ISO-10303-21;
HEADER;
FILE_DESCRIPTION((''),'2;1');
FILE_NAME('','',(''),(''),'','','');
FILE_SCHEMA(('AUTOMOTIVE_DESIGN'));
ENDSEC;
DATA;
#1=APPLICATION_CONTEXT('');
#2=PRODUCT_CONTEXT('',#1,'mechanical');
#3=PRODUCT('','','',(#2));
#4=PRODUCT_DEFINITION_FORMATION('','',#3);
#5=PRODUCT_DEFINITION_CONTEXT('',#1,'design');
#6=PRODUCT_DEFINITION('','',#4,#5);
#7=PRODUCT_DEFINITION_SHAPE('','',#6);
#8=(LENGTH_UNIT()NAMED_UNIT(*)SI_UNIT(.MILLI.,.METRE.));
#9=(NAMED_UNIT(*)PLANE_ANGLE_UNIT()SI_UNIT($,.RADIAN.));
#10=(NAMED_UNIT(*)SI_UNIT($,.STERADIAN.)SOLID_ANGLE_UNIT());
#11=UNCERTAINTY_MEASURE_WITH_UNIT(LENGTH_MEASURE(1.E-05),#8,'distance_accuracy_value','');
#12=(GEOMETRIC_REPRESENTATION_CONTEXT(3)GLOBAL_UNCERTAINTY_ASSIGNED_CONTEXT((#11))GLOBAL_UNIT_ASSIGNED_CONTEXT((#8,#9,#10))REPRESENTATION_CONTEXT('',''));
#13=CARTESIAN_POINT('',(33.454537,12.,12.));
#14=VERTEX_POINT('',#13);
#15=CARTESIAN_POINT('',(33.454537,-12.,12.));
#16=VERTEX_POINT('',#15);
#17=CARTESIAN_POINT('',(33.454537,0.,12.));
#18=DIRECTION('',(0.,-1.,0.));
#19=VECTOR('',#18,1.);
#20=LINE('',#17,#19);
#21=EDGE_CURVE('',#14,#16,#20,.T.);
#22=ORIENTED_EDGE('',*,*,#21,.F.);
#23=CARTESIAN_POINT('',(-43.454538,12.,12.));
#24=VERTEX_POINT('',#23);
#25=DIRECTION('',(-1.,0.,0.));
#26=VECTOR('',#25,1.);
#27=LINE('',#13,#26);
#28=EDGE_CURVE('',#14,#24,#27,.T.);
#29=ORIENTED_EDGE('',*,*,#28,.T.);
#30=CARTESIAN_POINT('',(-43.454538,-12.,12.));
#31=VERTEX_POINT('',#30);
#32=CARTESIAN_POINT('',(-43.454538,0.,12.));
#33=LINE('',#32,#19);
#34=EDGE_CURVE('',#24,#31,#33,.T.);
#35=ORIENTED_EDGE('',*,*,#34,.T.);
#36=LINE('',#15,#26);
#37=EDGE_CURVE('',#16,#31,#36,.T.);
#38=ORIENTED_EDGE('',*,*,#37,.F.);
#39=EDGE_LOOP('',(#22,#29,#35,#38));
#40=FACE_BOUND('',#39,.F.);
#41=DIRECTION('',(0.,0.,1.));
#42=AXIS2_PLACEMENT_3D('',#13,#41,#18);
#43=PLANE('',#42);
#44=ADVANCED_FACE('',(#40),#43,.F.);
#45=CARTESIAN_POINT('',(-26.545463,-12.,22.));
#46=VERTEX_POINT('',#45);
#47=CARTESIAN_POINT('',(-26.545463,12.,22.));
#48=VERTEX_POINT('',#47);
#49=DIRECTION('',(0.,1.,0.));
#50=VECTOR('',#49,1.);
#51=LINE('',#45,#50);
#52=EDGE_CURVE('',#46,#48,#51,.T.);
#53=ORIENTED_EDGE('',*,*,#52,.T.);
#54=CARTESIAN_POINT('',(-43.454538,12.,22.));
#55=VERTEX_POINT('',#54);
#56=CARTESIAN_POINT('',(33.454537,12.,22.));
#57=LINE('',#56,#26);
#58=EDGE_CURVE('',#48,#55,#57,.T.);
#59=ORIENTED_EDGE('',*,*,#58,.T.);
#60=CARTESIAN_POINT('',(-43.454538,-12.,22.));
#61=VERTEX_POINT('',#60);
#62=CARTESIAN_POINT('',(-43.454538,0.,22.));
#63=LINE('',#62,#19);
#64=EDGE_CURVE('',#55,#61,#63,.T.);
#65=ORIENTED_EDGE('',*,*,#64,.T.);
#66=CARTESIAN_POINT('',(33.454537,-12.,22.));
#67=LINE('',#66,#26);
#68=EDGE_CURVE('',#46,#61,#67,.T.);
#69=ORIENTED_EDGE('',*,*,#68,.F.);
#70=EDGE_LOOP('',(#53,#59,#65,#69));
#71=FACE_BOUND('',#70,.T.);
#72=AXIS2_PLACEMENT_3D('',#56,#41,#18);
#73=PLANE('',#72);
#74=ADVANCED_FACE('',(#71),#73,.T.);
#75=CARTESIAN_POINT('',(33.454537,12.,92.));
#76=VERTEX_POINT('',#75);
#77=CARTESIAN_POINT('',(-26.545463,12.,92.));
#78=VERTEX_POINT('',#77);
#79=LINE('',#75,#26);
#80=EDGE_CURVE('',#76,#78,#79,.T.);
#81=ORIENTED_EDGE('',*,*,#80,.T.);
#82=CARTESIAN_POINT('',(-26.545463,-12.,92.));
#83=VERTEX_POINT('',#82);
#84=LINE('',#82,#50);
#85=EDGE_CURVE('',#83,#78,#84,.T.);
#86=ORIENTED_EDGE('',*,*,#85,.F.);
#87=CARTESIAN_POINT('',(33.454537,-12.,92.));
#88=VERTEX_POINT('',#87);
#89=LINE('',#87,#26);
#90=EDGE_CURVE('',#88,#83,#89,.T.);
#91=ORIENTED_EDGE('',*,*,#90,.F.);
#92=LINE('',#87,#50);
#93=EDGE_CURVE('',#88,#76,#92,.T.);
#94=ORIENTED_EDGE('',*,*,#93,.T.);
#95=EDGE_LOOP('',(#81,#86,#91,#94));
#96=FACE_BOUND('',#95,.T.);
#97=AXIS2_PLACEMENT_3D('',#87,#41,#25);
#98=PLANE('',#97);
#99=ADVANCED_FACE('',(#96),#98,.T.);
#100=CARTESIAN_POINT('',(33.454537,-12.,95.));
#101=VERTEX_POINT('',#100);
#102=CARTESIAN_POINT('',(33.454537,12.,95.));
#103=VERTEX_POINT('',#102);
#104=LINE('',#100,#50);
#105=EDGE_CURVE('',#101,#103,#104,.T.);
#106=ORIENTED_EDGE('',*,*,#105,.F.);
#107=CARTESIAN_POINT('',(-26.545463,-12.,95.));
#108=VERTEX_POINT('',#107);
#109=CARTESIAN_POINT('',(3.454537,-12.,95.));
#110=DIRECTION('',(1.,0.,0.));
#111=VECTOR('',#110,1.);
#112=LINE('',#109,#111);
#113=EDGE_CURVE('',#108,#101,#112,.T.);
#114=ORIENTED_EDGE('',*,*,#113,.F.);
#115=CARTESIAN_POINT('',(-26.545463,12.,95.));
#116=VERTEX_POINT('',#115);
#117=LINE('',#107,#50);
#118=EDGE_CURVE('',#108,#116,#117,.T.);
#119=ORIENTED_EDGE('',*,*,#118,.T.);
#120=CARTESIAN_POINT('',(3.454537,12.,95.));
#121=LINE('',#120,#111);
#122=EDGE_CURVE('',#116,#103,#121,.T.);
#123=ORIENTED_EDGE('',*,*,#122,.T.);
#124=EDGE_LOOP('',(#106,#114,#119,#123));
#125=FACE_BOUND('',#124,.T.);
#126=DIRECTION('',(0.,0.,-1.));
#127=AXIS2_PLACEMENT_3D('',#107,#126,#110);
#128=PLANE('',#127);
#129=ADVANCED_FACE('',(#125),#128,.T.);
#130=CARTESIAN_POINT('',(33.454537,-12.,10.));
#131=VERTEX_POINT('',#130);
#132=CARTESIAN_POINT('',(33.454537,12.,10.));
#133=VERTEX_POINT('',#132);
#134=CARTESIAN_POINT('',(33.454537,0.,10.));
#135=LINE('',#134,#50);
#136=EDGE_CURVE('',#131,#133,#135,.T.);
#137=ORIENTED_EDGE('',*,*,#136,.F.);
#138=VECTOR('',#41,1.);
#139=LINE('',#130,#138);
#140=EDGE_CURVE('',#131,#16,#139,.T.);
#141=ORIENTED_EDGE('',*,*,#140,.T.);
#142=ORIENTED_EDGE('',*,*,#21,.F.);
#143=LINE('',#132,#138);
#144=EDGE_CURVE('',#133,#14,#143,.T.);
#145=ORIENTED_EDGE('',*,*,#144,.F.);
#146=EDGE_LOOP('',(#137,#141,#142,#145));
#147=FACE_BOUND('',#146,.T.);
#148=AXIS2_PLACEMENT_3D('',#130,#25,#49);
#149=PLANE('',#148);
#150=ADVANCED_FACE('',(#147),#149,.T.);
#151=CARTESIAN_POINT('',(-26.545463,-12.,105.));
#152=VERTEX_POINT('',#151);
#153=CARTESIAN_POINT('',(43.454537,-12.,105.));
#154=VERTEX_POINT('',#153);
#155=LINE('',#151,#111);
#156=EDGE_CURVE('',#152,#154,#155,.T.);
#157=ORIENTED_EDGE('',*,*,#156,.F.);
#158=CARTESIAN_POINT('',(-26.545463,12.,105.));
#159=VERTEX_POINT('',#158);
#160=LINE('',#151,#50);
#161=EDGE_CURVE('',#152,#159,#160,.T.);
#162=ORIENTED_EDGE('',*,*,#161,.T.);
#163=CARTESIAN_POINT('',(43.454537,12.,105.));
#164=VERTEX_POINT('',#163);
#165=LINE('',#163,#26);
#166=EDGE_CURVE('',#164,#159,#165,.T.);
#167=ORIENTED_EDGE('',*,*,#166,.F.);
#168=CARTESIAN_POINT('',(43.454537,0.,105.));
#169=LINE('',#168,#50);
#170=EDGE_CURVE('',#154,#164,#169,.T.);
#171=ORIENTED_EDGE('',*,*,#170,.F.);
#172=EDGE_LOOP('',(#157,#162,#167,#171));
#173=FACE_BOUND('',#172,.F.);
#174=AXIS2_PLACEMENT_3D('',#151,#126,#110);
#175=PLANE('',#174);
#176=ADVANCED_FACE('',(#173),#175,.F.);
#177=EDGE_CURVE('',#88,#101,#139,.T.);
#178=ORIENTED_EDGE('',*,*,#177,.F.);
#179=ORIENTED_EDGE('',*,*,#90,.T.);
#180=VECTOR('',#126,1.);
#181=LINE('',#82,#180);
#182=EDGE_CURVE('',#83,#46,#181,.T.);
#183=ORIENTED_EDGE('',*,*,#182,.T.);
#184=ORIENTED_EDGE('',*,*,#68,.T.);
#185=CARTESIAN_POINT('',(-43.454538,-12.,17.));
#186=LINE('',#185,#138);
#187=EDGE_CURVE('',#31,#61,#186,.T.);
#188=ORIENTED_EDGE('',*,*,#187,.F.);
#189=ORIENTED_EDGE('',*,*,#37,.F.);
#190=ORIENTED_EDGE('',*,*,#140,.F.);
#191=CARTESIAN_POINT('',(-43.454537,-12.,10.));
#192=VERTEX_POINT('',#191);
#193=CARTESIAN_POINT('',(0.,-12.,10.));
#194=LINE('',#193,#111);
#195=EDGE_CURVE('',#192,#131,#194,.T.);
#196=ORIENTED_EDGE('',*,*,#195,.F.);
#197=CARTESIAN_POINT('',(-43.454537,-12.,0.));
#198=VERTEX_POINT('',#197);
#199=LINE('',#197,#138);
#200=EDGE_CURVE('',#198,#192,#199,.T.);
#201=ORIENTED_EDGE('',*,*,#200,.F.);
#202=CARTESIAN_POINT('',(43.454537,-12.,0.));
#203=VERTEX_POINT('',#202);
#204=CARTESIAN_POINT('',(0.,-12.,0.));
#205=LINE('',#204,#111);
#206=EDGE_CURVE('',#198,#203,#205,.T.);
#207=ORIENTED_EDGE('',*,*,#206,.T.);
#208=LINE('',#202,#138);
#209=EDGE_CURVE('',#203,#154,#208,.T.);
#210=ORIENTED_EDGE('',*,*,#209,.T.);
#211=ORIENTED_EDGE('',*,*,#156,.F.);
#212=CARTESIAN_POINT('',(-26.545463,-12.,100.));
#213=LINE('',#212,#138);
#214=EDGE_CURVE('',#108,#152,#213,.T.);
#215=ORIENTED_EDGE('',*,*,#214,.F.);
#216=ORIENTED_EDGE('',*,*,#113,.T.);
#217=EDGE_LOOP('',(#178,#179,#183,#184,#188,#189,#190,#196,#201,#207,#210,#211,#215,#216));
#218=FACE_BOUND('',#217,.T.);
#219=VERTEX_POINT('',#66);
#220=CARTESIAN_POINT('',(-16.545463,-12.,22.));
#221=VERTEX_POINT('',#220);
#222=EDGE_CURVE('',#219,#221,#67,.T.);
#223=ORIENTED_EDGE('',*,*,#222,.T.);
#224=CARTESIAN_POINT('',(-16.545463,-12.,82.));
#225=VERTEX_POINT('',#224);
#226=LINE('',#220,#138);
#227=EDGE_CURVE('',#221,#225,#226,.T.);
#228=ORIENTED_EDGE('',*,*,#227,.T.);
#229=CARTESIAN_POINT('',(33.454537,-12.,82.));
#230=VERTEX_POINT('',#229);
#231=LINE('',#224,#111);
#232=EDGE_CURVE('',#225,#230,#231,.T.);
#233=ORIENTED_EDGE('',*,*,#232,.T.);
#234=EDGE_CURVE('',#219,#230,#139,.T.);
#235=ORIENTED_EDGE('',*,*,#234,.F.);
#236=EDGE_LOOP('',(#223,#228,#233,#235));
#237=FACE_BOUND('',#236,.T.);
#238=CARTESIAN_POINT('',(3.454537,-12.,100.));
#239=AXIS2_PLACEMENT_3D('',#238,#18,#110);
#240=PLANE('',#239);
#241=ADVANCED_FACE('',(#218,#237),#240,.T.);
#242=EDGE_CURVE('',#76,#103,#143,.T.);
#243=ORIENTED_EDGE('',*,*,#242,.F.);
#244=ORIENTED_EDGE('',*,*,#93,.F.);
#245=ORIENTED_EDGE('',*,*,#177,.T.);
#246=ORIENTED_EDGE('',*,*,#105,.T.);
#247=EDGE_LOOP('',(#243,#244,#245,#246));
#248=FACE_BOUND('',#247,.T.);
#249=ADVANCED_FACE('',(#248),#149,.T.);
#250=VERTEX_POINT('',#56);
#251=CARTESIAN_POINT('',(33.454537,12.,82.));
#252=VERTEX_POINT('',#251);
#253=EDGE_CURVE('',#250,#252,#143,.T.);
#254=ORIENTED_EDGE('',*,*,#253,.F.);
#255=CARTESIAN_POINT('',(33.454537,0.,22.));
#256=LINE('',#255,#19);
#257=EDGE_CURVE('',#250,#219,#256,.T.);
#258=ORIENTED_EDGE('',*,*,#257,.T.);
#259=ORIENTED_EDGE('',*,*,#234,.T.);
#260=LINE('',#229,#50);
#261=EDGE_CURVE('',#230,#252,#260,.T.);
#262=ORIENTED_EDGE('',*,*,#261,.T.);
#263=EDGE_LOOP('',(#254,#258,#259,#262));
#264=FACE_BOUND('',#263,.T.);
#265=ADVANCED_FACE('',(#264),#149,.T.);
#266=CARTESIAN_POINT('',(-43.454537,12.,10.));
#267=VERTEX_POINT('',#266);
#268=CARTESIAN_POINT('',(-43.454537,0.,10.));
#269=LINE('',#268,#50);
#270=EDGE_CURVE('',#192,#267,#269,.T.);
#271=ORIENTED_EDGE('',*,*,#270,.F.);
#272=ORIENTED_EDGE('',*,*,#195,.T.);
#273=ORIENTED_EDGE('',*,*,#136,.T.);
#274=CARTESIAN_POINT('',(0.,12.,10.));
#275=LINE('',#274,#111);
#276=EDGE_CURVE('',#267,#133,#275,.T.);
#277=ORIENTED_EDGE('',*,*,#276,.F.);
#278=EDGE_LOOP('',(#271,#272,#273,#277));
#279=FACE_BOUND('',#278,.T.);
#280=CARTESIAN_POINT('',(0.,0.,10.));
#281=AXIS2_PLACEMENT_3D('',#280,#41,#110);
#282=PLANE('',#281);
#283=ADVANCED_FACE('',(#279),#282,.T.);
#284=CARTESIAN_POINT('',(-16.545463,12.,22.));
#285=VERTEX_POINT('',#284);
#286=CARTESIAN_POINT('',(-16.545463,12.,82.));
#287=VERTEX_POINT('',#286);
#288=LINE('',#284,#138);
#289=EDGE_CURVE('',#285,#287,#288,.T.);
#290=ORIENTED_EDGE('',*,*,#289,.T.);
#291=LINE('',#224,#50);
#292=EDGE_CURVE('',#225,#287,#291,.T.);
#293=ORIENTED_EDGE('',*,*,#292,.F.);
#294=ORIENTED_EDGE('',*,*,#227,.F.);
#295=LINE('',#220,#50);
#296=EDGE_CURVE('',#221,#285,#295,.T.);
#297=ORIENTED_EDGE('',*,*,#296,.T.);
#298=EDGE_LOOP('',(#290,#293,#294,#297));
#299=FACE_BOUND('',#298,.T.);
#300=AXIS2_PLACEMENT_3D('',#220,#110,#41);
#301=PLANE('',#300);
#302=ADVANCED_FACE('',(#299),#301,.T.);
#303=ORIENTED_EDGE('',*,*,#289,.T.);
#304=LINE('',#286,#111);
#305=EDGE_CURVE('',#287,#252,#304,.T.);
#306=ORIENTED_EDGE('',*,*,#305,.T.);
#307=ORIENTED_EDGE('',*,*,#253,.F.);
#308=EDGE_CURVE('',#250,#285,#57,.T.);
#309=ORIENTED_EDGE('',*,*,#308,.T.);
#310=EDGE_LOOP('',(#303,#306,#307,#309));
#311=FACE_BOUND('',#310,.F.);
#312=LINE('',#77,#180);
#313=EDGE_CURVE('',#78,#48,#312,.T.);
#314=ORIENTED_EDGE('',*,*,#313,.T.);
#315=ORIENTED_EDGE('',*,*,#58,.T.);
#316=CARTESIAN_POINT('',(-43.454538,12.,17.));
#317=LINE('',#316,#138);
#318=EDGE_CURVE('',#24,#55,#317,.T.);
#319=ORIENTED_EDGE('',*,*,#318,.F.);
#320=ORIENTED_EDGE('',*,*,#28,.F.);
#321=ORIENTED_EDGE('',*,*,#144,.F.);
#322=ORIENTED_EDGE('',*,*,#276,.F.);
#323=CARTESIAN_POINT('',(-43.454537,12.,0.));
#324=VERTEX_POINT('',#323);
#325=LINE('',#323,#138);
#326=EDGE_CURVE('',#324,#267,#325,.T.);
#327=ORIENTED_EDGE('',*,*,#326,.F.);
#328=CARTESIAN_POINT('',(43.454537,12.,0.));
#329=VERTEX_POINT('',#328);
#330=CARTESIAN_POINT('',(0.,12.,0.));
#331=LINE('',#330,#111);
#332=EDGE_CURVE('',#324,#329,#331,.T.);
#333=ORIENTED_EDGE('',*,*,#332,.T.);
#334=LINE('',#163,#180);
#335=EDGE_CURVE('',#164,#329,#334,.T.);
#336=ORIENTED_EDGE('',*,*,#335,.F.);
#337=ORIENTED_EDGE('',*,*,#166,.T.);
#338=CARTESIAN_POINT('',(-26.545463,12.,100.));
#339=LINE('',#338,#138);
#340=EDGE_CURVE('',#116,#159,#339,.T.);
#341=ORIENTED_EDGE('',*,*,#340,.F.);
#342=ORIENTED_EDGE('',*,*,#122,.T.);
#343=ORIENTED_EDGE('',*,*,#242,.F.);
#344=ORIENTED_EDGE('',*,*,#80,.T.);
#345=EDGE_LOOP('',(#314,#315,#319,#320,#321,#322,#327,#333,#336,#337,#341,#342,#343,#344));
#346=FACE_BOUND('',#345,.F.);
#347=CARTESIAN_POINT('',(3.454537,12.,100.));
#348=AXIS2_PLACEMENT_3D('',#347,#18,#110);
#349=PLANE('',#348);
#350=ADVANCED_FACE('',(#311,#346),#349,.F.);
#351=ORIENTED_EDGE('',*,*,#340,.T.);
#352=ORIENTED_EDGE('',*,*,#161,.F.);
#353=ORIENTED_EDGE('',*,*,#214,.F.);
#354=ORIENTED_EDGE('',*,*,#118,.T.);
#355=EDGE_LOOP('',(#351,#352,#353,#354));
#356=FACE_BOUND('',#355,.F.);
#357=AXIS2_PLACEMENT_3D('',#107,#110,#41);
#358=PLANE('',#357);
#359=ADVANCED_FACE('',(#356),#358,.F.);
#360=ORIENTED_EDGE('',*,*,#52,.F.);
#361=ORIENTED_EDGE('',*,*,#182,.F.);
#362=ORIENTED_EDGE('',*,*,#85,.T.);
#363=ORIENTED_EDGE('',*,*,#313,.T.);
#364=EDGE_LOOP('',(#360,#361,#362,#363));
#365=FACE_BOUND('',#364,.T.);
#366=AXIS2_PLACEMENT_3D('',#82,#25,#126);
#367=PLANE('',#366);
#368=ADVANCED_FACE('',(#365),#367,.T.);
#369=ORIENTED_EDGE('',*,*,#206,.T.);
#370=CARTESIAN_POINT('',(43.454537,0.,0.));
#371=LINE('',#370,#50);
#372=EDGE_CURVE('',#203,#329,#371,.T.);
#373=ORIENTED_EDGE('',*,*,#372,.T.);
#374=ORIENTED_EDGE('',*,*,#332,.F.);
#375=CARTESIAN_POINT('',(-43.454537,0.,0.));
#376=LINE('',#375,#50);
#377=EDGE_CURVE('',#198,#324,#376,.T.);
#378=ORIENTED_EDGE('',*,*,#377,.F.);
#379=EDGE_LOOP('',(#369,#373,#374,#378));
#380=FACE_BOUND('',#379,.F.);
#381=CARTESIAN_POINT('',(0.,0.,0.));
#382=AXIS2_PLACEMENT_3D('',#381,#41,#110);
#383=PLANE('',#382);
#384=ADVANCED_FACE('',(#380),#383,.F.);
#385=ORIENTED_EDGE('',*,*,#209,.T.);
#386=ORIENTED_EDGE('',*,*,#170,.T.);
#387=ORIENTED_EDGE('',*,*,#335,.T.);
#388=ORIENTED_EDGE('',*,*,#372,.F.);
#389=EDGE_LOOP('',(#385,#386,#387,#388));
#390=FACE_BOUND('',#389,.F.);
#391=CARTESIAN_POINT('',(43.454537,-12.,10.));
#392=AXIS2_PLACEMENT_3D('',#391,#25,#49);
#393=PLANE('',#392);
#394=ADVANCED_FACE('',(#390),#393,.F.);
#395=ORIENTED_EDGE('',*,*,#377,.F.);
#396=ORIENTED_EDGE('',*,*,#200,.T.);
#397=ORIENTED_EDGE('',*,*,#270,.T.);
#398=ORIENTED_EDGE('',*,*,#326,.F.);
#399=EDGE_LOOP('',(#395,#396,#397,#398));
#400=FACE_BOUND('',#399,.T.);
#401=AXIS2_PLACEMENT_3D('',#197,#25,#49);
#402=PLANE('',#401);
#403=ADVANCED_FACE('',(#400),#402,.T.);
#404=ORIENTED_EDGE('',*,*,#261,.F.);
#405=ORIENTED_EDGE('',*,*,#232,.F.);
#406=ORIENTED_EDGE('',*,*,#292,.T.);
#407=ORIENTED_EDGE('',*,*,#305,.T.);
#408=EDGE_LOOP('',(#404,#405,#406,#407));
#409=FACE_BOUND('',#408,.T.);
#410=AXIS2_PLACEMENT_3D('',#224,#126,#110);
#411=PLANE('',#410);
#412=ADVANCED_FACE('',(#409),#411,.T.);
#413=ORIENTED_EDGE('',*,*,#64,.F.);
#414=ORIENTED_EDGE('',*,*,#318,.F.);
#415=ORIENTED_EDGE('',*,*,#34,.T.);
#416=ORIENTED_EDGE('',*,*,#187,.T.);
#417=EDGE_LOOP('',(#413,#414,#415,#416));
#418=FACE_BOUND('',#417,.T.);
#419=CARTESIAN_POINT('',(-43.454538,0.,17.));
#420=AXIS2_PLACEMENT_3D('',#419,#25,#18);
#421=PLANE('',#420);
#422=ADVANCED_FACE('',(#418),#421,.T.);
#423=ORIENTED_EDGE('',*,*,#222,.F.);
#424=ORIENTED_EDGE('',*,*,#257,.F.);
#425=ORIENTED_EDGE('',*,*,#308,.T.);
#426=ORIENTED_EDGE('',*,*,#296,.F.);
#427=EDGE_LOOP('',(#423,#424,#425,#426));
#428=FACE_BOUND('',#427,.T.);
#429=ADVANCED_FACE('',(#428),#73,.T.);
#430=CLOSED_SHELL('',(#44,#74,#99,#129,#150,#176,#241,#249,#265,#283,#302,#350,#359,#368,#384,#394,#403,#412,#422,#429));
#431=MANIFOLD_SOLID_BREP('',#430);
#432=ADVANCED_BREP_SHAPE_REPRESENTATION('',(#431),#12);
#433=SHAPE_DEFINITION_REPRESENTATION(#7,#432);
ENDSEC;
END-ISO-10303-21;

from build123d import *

# Parameters (mm, degrees)
F0_W     = 86.909074
F0_H     = 24
F1_DEPTH = 10
F2_W     = 10
F2_H     = 24
F3_DEPTH = 95
F4_W     = 24
F4_H     = 10
F5_DEPTH = 76.909075
F6_W     = 60
F6_H     = 10
F7_DEPTH = 24


with BuildPart() as f1:
    # F0 (on Top) → F1 (new body)
    with BuildSketch(Plane.XY):
        Rectangle(F0_W, F0_H)
    extrude(amount=F1_DEPTH)

    # F2 (on face) → F3 (join)
    with BuildSketch(Plane.XY.offset(10)):
        with Locations((38.454537, 0)):
            Rectangle(F2_W, F2_H)
    extrude(amount=F3_DEPTH)

    # F4 (on face) → F5 (join, through all)
    with BuildSketch(Plane(origin=(33.454537, 0, 0), x_dir=(0, -1, 0), z_dir=(-1, 0, 0))):
        with Locations((0, 17)):
            Rectangle(F4_W, F4_H)
    extrude(amount=F5_DEPTH)

    # F6 (on face) → F7 (join, through all)
    with BuildSketch(Plane.XZ.offset(12)):
        Polygon((-26.545463, 92), (-26.545463, 22), (-16.545463, 22), (-16.545463, 82), (33.454537, 82), (33.454537, 92), align=None)
        with Locations((3.454537, 100)):
            Rectangle(F6_W, F6_H)
    extrude(amount=-F7_DEPTH)


solid = f1.part
